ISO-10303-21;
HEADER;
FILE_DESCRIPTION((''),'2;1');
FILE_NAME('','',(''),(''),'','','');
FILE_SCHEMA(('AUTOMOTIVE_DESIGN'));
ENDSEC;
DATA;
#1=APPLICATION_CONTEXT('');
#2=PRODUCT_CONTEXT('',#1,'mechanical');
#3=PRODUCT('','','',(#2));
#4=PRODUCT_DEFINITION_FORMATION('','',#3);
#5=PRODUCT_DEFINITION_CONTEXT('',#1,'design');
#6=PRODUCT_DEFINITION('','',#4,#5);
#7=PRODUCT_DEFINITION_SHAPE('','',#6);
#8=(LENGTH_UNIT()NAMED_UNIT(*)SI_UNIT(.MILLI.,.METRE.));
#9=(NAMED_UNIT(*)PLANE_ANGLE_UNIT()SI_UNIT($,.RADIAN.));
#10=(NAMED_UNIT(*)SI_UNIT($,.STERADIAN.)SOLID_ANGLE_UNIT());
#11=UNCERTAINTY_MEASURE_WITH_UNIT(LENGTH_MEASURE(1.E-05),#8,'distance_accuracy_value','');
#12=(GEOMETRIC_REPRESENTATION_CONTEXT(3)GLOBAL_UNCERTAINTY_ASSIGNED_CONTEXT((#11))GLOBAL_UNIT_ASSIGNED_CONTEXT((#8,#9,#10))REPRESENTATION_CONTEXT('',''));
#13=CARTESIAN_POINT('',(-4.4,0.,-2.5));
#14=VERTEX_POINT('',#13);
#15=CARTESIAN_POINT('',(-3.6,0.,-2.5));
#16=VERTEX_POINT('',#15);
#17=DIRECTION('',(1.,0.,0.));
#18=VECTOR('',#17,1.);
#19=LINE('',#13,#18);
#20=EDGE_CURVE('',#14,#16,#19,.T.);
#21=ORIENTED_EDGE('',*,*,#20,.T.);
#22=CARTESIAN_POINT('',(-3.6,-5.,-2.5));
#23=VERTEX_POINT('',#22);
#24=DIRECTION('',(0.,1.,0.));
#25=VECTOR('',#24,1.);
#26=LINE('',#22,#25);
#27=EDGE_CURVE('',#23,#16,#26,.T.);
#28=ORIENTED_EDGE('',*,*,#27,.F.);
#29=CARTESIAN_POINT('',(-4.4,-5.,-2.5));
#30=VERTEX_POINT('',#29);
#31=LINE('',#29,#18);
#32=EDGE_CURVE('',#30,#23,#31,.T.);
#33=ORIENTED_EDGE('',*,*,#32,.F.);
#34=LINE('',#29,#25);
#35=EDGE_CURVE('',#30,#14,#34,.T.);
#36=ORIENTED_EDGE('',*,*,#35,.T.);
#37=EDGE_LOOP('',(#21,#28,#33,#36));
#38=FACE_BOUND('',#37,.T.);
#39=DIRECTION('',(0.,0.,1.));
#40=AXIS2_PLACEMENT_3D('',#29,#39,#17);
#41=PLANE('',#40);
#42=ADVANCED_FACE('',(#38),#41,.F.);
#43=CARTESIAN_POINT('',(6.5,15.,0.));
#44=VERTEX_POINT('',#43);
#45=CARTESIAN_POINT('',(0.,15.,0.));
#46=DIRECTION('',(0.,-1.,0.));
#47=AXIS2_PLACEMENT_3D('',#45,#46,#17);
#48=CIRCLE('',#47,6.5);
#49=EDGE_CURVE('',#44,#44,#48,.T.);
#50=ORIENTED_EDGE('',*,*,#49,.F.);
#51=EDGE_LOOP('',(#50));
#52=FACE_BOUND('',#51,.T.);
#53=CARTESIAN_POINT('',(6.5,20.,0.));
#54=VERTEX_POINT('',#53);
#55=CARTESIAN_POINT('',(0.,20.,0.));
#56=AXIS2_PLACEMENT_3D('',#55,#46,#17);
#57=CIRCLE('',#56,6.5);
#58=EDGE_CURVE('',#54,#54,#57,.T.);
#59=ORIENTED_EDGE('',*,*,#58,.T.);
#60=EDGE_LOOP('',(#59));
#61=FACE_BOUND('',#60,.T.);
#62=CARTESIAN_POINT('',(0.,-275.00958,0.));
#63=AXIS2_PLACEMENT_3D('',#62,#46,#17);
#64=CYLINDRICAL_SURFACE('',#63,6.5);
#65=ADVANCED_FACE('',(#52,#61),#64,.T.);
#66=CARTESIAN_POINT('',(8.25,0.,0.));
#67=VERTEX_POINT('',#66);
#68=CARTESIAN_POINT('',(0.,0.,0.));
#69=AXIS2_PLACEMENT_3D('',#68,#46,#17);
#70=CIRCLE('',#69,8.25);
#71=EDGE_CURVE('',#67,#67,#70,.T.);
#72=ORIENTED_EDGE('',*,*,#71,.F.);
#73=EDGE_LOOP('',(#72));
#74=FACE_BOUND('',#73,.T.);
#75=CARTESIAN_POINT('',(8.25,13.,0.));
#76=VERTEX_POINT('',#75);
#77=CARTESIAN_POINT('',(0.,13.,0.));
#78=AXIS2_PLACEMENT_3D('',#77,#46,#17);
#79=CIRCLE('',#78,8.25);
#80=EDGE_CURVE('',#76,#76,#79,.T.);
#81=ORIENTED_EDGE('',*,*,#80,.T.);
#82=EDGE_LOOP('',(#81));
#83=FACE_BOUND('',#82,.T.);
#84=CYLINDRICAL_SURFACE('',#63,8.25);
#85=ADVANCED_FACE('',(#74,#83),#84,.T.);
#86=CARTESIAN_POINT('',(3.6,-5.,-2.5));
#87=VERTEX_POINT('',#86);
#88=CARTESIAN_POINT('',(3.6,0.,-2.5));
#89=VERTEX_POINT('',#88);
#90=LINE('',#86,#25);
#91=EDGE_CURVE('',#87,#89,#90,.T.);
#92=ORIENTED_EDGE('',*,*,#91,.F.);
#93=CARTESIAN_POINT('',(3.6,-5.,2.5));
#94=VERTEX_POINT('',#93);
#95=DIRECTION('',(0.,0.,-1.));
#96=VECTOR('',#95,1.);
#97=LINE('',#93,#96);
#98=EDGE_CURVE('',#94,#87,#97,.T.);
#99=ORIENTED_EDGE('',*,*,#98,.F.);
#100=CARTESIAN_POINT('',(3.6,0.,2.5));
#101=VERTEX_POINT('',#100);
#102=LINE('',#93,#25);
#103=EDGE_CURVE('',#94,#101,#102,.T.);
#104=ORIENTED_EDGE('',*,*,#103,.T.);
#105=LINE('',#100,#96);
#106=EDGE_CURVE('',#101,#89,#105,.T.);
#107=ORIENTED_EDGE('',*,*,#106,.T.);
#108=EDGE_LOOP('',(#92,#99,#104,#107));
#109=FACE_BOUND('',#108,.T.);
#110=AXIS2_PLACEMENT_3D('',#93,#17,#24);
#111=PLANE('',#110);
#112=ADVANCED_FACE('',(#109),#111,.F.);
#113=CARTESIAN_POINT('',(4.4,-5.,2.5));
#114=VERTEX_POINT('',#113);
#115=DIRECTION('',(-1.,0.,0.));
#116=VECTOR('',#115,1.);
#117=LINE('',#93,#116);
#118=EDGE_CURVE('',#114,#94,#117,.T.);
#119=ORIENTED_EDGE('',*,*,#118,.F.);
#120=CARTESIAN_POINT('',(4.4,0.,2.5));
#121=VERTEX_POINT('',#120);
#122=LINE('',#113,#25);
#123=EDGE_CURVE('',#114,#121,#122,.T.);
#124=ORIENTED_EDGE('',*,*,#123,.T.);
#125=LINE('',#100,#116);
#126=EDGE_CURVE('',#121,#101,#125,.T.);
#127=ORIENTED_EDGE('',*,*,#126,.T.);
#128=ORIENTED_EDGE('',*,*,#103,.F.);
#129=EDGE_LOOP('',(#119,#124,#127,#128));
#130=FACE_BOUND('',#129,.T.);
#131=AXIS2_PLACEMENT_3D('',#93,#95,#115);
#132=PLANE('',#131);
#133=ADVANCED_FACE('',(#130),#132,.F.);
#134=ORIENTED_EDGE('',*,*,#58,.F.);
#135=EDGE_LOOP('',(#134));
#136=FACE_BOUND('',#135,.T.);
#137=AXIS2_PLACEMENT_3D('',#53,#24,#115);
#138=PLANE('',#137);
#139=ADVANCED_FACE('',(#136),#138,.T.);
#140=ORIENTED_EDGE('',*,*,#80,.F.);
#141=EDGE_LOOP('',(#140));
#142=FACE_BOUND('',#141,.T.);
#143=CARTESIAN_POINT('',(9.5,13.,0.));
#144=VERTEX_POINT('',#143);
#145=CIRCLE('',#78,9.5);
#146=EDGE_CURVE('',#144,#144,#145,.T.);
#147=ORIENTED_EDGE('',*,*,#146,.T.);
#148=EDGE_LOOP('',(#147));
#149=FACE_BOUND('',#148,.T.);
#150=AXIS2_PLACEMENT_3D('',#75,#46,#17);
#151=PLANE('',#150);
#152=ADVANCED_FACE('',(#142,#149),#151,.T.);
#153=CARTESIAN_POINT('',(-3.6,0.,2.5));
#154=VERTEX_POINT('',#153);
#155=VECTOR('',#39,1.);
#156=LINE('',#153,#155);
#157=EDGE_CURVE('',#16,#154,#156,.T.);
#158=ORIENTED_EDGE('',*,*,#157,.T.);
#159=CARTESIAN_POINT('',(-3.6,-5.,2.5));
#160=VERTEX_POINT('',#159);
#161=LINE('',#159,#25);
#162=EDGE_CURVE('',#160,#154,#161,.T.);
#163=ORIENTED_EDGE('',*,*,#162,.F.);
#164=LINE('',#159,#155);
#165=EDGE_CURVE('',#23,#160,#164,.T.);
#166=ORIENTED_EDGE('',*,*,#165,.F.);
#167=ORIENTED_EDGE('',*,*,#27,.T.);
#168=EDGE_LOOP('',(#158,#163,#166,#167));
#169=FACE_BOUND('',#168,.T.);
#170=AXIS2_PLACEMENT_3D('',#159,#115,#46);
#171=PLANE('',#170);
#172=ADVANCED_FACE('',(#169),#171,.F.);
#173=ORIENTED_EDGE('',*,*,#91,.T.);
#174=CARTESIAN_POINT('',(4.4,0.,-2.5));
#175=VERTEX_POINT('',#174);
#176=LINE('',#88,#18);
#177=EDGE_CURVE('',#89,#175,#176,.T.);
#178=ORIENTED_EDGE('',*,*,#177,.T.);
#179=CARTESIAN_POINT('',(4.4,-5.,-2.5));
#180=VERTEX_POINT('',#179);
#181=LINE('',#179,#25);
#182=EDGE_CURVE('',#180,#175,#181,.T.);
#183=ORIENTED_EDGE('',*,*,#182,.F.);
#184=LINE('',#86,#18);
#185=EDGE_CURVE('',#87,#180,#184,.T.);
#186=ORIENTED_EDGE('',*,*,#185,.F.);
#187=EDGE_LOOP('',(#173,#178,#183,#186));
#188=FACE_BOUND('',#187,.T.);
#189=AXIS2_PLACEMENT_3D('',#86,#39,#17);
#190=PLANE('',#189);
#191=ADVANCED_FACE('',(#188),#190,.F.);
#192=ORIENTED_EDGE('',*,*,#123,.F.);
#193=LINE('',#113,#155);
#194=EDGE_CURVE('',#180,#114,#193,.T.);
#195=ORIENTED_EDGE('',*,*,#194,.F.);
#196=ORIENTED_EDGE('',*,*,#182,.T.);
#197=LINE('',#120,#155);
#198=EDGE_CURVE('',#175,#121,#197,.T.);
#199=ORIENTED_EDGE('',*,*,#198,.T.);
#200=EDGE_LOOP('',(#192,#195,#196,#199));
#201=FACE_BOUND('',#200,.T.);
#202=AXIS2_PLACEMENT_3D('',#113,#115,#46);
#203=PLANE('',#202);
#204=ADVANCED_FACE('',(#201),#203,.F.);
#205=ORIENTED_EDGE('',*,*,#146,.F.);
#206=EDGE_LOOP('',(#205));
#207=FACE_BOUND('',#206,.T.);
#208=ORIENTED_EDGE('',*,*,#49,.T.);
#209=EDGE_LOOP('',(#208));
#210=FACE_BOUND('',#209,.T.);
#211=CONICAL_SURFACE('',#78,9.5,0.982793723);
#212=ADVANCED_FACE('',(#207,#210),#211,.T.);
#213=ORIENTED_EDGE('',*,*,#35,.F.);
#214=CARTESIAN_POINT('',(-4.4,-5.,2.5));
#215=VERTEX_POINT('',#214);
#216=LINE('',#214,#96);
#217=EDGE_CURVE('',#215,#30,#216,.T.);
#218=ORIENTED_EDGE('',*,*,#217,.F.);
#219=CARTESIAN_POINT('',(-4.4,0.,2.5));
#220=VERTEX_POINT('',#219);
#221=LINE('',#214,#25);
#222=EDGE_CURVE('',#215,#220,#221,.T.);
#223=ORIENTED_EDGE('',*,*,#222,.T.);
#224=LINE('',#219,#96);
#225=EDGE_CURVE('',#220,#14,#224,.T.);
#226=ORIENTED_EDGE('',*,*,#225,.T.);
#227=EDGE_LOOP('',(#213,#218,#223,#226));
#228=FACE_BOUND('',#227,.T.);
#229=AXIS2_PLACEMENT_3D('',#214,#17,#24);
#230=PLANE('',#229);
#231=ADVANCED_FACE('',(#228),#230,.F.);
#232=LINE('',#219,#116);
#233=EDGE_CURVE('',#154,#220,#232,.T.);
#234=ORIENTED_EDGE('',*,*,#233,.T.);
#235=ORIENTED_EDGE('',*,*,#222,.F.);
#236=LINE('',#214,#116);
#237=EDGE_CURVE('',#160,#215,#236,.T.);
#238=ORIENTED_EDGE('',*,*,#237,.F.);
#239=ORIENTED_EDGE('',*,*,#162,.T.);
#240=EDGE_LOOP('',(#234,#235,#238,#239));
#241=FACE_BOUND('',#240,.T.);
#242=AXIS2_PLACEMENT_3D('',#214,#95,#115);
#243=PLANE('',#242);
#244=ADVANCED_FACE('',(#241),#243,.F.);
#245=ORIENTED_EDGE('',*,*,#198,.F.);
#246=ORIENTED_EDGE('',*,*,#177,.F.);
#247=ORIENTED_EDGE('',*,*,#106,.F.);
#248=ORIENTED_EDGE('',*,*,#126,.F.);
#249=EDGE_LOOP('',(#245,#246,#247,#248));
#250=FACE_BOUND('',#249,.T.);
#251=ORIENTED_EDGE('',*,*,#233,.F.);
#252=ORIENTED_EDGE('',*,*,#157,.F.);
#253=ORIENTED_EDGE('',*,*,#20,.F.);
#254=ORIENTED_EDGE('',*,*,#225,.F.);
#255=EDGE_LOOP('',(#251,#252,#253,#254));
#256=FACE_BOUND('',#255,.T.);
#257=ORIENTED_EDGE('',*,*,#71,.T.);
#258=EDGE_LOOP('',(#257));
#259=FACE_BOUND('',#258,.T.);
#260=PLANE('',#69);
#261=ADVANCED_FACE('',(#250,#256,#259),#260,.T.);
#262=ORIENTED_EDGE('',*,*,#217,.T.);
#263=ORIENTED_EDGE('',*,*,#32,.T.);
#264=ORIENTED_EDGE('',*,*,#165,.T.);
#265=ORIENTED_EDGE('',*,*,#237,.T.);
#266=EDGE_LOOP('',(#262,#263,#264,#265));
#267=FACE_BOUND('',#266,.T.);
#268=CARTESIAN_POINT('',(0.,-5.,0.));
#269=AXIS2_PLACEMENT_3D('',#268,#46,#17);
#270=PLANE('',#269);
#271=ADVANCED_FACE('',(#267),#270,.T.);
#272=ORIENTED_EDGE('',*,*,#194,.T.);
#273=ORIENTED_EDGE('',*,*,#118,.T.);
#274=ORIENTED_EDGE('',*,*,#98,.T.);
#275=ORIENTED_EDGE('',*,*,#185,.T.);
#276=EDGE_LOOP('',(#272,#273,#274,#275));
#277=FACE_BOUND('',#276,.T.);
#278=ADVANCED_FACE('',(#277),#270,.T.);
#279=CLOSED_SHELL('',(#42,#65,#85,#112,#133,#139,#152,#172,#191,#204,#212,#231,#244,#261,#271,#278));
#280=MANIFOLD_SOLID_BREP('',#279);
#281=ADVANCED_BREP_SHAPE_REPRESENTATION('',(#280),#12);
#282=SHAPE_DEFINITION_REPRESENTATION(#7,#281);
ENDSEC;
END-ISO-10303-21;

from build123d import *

# Parameters (mm, degrees)
SKETCH_2_W      = 0.8
SKETCH_2_H      = 5
EXTRUDE_1_DEPTH = 5


with BuildPart() as part:
    # Эскиз1 → Повернуть1 (revolve)
    with BuildSketch(Plane.XY):
        Polygon((0, 0), (8.25, 0), (8.25, 13), (9.5, 13), (6.5, 15), (6.5, 20), (0, 20), align=None)
    revolve(axis=Axis((0, -275.009579947, 0), (0, 1, 0)))

    # Эскиз2 → Бобышка-Вытянуть1 (add)
    with BuildSketch(Plane.XZ):
        with Locations((-4, 0)):
            Rectangle(SKETCH_2_W, SKETCH_2_H)
        with Locations((4, 0)):
            Rectangle(SKETCH_2_W, SKETCH_2_H)
    extrude(amount=EXTRUDE_1_DEPTH)


solid = part.part
